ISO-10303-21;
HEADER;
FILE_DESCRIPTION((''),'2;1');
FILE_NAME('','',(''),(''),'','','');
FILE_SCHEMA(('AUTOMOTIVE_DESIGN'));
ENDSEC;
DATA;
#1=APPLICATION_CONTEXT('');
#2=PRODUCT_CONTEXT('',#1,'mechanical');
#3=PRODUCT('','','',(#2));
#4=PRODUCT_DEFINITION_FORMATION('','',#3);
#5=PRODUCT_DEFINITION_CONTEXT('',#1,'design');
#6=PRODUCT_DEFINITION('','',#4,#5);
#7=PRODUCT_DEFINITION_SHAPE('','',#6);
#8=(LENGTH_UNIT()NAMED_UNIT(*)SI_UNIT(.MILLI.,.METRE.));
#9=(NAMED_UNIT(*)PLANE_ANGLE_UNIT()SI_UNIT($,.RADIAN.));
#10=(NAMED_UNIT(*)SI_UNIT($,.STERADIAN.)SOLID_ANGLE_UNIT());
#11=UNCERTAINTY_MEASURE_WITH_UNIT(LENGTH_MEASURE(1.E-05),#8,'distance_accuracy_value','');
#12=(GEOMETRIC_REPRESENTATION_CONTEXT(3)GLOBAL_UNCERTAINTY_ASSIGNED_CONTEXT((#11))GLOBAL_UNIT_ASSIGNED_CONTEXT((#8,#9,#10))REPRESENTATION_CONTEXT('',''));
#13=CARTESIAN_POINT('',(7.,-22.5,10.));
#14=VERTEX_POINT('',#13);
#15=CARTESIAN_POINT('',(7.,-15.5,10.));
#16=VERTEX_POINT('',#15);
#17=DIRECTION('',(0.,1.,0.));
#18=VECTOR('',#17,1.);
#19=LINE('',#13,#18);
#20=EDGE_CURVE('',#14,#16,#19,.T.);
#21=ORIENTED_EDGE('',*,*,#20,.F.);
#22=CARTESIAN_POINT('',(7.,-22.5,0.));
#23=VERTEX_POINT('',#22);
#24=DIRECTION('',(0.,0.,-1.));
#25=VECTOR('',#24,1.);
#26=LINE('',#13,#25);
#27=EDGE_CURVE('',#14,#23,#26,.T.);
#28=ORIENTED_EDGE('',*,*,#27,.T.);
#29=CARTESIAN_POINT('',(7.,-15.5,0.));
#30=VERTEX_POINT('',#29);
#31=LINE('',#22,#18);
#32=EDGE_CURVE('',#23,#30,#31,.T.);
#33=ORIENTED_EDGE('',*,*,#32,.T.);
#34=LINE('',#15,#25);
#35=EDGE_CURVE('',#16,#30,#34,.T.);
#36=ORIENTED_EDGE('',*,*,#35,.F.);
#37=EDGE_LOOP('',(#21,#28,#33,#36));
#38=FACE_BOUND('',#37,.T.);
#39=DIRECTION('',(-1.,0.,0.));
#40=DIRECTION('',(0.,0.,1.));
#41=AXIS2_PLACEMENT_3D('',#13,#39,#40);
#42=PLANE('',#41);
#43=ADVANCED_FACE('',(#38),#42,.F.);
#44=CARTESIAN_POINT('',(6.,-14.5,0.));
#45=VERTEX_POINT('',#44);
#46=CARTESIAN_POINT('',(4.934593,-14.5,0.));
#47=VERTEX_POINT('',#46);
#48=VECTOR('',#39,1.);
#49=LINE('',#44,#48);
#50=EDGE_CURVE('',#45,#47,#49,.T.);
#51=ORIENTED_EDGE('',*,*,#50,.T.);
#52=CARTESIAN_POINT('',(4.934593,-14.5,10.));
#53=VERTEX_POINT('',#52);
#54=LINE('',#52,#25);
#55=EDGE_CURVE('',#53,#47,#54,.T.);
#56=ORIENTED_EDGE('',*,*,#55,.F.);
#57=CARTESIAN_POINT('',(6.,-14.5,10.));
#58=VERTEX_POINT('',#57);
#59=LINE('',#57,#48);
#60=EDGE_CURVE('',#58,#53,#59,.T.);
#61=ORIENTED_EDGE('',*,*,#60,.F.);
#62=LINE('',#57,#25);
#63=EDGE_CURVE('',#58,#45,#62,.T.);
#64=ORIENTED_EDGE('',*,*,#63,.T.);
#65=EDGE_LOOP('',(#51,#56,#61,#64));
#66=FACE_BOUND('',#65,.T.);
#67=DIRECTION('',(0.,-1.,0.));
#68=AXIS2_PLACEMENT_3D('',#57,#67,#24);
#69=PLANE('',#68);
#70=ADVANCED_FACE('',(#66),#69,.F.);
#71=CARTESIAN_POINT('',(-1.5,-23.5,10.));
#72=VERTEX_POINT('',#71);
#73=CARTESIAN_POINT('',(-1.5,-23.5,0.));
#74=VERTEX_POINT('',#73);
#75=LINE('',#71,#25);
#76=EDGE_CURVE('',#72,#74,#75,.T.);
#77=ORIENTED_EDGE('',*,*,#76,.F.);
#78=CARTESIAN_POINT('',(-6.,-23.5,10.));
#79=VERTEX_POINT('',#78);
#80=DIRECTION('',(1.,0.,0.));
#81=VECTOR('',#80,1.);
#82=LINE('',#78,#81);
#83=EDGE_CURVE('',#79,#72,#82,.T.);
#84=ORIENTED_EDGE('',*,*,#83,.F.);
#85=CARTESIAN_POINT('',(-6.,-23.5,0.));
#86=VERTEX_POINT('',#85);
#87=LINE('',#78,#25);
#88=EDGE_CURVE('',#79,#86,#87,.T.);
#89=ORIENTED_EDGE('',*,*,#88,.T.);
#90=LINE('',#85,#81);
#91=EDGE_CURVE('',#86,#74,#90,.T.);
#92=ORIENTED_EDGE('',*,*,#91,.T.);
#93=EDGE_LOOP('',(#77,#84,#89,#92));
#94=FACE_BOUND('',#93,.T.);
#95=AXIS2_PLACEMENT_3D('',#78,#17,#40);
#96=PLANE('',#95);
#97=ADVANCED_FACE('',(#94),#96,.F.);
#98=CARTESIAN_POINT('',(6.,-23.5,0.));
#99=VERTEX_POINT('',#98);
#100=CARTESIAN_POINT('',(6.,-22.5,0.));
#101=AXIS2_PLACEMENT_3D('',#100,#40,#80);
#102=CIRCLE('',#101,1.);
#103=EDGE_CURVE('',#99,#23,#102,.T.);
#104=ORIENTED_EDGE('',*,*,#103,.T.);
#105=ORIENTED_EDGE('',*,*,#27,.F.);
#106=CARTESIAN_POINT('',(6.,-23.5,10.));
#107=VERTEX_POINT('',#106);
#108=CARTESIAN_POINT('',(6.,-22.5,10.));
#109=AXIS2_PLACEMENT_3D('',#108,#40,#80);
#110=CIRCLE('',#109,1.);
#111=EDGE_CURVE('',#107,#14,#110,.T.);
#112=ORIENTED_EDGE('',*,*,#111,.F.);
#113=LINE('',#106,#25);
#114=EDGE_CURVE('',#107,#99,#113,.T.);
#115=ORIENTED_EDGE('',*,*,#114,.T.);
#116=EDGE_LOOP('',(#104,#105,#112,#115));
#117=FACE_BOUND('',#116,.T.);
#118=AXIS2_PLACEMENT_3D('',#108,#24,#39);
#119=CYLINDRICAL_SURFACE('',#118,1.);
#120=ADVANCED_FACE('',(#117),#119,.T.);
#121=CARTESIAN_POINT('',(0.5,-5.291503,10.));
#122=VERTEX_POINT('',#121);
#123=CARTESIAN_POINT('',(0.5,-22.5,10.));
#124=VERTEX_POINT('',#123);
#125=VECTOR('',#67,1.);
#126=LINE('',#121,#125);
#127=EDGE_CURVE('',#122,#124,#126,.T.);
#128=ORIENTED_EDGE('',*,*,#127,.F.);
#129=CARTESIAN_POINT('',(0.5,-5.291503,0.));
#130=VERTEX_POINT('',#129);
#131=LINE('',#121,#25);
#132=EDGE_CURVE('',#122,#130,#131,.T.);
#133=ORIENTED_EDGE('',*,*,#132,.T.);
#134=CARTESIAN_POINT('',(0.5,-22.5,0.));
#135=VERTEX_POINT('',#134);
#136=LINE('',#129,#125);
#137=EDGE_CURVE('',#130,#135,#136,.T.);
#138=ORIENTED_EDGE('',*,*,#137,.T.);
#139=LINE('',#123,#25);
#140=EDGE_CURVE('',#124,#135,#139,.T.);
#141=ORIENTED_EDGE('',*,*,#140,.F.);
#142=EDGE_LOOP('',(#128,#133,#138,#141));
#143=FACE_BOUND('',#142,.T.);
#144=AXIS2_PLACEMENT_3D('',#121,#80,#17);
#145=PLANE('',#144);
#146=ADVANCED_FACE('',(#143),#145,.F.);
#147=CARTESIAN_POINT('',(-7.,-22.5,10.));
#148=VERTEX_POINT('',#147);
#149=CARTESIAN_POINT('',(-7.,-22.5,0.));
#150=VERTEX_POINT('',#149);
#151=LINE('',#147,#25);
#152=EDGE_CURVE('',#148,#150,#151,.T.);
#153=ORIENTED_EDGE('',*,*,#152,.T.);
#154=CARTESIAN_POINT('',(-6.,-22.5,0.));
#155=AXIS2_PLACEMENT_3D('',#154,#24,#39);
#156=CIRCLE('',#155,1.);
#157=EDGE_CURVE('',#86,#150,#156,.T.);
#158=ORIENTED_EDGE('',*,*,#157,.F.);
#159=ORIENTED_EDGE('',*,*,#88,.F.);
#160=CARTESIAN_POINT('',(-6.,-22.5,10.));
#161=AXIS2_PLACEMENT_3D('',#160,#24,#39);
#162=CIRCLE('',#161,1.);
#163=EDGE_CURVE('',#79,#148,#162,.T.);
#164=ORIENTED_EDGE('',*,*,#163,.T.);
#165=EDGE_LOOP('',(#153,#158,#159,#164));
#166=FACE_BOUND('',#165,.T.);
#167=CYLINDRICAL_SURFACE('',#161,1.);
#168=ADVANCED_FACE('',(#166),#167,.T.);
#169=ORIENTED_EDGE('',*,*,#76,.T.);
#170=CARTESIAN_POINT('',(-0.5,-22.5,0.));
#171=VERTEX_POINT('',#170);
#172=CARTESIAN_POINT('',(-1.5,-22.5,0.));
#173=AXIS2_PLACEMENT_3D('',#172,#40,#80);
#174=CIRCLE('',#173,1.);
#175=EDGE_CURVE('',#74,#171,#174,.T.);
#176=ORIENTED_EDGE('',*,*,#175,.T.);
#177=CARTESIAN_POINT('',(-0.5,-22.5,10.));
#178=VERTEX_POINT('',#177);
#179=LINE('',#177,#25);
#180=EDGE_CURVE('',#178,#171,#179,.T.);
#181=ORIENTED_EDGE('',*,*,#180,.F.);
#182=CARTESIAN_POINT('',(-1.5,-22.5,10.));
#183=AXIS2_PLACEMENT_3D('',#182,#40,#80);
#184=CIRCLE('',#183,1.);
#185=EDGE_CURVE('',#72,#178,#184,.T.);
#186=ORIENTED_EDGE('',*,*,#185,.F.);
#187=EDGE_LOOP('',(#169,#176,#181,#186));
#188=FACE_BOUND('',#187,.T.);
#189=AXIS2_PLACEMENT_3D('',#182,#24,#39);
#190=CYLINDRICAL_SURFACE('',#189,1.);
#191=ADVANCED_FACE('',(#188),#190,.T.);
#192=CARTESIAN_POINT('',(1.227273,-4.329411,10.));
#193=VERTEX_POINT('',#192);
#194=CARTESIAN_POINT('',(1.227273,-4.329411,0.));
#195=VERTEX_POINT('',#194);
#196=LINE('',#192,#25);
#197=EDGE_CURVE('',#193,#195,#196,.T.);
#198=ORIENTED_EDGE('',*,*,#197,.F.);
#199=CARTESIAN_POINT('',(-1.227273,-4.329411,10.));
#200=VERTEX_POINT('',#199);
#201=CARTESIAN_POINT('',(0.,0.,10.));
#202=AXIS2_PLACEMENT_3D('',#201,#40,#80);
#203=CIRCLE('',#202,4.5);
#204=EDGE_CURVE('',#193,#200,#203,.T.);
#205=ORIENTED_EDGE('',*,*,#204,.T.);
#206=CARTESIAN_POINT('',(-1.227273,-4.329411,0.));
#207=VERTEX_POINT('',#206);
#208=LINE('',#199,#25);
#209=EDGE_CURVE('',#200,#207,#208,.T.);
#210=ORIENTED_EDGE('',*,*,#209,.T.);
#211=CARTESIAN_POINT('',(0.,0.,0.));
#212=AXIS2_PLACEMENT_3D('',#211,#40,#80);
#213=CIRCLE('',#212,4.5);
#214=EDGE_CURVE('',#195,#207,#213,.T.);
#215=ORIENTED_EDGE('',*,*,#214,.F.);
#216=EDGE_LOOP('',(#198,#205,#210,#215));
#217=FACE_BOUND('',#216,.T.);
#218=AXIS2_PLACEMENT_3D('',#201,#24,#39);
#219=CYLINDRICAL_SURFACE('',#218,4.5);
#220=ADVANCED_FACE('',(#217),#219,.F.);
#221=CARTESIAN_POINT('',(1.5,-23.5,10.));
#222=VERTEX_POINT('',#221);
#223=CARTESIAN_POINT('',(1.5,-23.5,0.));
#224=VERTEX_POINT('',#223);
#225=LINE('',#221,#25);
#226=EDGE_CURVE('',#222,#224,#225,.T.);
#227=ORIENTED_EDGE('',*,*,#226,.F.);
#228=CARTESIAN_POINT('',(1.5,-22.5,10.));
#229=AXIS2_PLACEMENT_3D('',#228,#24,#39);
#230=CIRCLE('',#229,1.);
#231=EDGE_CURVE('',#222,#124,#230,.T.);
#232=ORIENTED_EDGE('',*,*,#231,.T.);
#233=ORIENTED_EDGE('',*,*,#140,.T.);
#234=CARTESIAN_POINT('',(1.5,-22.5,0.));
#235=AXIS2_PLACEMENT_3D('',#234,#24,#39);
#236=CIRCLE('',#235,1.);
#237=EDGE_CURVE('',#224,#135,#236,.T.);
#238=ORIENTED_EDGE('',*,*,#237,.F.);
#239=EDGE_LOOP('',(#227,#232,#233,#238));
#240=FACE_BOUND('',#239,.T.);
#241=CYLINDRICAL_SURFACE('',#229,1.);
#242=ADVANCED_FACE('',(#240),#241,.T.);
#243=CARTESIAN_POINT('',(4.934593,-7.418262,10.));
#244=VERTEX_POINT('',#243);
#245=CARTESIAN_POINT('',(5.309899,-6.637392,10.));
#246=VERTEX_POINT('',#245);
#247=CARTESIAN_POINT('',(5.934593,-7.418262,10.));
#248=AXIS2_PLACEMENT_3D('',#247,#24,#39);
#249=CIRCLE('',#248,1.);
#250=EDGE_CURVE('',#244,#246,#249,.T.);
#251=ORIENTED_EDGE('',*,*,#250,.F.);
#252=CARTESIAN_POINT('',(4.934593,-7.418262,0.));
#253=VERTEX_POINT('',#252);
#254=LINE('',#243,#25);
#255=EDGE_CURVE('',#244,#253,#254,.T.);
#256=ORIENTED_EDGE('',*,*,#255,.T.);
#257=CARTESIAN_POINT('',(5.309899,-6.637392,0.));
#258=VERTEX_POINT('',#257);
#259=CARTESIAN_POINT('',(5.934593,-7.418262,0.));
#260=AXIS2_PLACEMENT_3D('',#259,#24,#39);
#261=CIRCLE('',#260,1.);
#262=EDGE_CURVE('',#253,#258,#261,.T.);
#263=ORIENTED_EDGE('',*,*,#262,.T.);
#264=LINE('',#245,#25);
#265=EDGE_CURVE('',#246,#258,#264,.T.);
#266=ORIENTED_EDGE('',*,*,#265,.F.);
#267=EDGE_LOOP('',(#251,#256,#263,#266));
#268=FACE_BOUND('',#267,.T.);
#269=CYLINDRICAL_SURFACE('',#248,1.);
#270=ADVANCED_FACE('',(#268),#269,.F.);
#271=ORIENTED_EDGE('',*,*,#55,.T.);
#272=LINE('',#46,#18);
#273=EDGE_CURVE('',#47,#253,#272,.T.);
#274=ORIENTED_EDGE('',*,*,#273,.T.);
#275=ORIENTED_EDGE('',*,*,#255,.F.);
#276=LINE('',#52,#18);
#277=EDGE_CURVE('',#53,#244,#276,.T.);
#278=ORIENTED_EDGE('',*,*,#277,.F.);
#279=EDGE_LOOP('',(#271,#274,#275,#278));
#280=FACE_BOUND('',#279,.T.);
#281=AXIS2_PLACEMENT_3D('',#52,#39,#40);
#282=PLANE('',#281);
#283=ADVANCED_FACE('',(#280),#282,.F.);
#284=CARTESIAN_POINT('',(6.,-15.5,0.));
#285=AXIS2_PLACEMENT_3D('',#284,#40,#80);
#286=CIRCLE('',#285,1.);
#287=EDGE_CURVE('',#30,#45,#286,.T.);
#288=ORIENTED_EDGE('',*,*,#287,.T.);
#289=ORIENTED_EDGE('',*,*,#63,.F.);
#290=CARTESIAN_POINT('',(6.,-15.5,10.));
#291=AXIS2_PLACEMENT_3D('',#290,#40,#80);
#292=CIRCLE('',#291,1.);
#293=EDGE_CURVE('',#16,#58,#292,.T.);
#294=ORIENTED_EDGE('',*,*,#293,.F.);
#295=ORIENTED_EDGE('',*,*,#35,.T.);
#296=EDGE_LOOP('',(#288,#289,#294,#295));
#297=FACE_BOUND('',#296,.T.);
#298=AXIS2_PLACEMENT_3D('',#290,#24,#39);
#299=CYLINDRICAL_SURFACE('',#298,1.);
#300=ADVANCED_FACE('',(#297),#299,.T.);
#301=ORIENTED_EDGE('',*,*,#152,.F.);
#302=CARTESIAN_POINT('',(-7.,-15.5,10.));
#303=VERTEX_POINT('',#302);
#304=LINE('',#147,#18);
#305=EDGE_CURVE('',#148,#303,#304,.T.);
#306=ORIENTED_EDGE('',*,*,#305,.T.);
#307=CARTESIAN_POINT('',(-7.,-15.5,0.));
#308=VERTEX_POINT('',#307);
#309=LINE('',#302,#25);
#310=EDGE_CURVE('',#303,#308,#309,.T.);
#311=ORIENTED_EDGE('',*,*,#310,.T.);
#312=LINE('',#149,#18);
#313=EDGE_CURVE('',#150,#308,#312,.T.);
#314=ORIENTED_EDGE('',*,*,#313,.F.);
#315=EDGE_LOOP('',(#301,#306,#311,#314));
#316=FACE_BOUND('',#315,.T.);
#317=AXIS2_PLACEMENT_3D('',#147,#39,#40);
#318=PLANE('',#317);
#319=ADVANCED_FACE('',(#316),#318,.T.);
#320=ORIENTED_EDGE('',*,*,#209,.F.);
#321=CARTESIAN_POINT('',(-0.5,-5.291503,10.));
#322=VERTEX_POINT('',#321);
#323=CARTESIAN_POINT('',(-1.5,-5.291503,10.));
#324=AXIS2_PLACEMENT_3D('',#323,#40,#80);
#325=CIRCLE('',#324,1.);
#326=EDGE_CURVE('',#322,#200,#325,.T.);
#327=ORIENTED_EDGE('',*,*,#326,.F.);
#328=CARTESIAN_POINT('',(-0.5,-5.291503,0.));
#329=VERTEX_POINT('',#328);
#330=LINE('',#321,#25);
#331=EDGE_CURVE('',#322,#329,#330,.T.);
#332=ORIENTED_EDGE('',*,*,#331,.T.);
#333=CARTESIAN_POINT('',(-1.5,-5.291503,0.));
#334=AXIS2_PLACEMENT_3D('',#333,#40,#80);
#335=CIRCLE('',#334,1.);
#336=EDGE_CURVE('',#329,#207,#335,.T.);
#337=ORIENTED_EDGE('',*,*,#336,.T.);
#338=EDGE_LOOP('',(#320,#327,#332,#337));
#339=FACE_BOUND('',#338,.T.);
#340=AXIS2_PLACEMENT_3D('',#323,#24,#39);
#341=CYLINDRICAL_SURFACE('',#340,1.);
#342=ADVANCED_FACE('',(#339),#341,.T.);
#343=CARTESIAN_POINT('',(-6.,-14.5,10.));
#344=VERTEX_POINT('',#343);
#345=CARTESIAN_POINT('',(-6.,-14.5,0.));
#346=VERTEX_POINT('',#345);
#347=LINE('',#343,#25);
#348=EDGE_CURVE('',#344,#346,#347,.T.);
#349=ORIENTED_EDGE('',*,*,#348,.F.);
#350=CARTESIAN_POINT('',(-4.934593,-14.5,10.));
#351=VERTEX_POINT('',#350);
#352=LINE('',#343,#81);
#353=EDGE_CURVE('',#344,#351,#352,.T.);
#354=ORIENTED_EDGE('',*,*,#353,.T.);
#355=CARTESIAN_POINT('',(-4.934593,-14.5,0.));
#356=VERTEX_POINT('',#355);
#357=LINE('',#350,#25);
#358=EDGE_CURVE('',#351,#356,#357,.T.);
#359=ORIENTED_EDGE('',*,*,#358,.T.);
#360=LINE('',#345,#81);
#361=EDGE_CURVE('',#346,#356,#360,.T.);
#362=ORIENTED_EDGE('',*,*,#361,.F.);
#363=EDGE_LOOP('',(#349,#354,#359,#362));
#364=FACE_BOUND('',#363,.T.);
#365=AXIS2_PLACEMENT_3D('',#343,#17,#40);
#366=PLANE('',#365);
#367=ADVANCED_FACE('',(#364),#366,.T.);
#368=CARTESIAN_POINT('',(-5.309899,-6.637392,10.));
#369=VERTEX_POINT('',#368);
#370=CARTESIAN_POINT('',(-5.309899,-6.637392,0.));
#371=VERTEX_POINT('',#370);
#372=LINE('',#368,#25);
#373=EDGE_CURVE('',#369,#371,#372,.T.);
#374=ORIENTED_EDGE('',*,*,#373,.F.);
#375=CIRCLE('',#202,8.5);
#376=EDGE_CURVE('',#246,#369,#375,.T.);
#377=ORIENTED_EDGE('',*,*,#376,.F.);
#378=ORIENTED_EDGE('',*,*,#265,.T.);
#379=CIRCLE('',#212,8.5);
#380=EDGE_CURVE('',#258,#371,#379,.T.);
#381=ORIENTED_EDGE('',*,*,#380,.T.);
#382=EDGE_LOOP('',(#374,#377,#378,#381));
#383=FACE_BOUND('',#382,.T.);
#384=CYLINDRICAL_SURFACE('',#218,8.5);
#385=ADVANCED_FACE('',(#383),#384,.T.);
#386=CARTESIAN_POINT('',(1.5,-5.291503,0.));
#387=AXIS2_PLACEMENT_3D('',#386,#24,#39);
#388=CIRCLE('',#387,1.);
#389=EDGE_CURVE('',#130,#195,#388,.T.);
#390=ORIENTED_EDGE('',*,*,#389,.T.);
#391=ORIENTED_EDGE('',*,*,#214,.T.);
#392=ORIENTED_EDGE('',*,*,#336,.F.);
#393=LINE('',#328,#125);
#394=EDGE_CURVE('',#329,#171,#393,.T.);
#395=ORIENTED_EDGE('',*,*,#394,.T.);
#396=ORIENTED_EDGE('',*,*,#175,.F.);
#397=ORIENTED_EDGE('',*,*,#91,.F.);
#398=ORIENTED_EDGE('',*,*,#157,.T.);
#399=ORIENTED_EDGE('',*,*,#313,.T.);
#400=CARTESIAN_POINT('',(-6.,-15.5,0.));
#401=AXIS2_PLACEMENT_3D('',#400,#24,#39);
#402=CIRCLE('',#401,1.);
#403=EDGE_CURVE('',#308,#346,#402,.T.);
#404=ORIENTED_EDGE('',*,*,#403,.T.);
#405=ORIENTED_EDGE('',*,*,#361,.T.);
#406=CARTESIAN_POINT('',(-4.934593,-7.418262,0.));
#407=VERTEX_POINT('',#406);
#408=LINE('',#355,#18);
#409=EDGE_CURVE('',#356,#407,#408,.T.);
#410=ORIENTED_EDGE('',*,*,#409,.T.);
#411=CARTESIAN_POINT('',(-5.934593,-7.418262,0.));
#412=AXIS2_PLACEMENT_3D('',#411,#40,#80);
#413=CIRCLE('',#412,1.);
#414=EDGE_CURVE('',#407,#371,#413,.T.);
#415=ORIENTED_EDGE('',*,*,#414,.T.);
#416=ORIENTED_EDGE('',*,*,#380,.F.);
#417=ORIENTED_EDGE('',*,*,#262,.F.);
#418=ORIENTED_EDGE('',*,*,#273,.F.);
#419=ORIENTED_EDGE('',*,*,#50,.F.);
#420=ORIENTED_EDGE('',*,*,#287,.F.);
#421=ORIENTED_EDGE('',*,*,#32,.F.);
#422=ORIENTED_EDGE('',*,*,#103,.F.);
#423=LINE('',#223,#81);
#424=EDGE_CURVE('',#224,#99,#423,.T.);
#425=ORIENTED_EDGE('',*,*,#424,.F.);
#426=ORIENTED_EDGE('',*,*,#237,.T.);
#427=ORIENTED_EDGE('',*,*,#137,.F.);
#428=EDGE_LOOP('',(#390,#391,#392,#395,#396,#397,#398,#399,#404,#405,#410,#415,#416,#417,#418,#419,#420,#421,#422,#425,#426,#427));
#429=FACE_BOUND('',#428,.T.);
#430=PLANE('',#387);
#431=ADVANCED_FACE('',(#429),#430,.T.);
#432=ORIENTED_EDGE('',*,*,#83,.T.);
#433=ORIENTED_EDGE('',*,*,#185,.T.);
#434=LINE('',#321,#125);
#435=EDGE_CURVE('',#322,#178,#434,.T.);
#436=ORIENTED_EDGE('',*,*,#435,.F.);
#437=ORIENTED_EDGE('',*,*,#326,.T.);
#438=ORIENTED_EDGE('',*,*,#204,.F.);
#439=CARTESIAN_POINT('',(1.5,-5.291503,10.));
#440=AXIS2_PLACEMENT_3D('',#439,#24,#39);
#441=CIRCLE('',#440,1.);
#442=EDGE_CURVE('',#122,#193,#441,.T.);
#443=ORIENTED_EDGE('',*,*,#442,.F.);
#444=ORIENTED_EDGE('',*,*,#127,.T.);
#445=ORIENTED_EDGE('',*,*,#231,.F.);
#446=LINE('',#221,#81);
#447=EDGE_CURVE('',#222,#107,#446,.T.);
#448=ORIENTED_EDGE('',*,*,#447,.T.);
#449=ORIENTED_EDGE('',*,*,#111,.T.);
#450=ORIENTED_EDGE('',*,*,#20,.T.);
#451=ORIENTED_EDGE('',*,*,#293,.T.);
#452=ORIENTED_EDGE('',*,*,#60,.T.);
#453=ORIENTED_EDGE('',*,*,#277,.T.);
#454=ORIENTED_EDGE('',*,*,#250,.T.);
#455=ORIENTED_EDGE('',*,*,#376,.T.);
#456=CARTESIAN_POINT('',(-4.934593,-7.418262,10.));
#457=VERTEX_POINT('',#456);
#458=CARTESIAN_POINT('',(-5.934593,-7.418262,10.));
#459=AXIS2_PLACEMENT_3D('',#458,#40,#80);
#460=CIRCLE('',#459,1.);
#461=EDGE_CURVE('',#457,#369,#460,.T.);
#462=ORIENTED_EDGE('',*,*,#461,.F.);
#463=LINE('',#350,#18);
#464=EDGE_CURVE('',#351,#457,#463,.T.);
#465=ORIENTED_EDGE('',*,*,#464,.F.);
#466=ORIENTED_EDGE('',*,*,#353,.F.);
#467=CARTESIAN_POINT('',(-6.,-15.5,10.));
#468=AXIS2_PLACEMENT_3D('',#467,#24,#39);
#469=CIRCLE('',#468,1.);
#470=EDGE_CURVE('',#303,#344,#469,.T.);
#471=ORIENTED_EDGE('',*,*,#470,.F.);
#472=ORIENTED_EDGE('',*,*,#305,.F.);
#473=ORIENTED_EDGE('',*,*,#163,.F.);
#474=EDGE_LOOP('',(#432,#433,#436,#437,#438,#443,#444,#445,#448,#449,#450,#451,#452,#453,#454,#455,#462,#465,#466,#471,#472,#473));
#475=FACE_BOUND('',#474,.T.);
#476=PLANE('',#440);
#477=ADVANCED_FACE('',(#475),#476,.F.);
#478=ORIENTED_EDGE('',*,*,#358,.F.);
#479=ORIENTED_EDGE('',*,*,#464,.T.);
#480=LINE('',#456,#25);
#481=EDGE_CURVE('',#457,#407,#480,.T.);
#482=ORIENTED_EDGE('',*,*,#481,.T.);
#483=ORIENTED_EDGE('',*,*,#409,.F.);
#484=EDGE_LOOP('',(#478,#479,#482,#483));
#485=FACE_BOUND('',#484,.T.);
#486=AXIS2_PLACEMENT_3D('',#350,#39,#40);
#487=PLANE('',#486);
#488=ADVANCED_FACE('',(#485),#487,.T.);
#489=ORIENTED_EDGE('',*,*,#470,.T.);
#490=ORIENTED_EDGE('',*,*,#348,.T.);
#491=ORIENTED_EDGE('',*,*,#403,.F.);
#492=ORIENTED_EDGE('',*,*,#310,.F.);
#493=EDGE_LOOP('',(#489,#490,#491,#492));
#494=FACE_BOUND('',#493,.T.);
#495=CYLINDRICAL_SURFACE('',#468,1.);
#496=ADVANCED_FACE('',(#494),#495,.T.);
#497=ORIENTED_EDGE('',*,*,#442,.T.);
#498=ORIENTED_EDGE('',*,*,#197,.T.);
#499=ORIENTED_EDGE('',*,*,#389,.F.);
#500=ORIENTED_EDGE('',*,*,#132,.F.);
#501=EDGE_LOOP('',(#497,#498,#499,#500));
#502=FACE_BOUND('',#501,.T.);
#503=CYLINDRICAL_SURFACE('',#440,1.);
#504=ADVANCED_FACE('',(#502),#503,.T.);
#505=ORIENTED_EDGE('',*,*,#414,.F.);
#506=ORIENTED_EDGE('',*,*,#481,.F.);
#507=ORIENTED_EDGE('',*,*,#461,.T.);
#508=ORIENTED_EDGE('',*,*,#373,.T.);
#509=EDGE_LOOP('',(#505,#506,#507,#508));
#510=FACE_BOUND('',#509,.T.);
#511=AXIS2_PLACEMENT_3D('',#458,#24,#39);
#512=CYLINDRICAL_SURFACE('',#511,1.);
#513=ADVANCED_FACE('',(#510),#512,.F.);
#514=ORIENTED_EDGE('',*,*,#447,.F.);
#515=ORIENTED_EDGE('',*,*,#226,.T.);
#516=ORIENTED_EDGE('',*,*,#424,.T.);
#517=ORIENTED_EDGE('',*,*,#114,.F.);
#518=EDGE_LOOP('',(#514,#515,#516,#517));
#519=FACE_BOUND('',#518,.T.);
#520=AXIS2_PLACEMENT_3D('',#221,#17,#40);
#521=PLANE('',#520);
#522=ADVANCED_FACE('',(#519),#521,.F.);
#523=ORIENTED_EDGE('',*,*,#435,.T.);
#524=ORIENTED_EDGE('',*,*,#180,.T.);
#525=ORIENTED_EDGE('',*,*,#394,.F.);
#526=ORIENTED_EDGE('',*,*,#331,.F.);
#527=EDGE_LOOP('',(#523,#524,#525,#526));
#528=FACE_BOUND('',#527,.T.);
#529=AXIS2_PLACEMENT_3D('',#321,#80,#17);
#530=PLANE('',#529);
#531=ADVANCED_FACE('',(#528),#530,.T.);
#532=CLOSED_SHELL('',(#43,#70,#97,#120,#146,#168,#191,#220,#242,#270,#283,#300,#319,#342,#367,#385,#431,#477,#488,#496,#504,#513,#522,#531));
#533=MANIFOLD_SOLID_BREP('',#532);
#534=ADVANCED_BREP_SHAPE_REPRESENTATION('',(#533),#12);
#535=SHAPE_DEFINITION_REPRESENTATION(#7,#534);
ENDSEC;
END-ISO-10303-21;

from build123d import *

# Parameters (mm, degrees)
SALIENTE_EXTRUIR1_DEPTH = 10


with BuildPart() as part:
    # Croquis1 → Saliente-Extruir1 (new body)
    with BuildSketch(Plane.XY):
        with BuildLine():
            Line((1.5, -23.5), (6, -23.5))
            ThreePointArc((6, -23.5), (6.707106781, -23.207106781), (7, -22.5))
            Line((7, -22.5), (7, -15.5))
            ThreePointArc((7, -15.5), (6.707106781, -14.792893219), (6, -14.5))
            Line((6, -14.5), (4.934593139, -14.5))
            Line((4.934593139, -14.5), (4.934593139, -7.41826154))
            ThreePointArc((4.934593139, -7.41826154), (5.033290189, -6.985072213), (5.309899124, -6.637391904))
            ThreePointArc((5.309899124, -6.637391904), (0, 8.5), (-5.309899124, -6.637391904))
            ThreePointArc((-5.309899124, -6.637391904), (-5.033290189, -6.985072213), (-4.934593139, -7.41826154))
            Line((-4.934593139, -7.41826154), (-4.934593139, -14.5))
            Line((-4.934593139, -14.5), (-6, -14.5))
            ThreePointArc((-6, -14.5), (-6.707106781, -14.792893219), (-7, -15.5))
            Line((-7, -15.5), (-7, -22.5))
            ThreePointArc((-7, -22.5), (-6.707106781, -23.207106781), (-6, -23.5))
            Line((-6, -23.5), (-1.5, -23.5))
            ThreePointArc((-1.5, -23.5), (-0.792893219, -23.207106781), (-0.5, -22.5))
            Line((-0.5, -22.5), (-0.5, -5.291502622))
            ThreePointArc((-0.5, -5.291502622), (-0.702275965, -4.688479933), (-1.227272727, -4.329411236))
            ThreePointArc((-1.227272727, -4.329411236), (0, 4.5), (1.227272727, -4.329411236))
            ThreePointArc((1.227272727, -4.329411236), (0.702275965, -4.688479933), (0.5, -5.291502622))
            Line((0.5, -5.291502622), (0.5, -22.5))
            ThreePointArc((0.5, -22.5), (0.792893219, -23.207106781), (1.5, -23.5))
        make_face()
    extrude(amount=SALIENTE_EXTRUIR1_DEPTH)


solid = part.part
